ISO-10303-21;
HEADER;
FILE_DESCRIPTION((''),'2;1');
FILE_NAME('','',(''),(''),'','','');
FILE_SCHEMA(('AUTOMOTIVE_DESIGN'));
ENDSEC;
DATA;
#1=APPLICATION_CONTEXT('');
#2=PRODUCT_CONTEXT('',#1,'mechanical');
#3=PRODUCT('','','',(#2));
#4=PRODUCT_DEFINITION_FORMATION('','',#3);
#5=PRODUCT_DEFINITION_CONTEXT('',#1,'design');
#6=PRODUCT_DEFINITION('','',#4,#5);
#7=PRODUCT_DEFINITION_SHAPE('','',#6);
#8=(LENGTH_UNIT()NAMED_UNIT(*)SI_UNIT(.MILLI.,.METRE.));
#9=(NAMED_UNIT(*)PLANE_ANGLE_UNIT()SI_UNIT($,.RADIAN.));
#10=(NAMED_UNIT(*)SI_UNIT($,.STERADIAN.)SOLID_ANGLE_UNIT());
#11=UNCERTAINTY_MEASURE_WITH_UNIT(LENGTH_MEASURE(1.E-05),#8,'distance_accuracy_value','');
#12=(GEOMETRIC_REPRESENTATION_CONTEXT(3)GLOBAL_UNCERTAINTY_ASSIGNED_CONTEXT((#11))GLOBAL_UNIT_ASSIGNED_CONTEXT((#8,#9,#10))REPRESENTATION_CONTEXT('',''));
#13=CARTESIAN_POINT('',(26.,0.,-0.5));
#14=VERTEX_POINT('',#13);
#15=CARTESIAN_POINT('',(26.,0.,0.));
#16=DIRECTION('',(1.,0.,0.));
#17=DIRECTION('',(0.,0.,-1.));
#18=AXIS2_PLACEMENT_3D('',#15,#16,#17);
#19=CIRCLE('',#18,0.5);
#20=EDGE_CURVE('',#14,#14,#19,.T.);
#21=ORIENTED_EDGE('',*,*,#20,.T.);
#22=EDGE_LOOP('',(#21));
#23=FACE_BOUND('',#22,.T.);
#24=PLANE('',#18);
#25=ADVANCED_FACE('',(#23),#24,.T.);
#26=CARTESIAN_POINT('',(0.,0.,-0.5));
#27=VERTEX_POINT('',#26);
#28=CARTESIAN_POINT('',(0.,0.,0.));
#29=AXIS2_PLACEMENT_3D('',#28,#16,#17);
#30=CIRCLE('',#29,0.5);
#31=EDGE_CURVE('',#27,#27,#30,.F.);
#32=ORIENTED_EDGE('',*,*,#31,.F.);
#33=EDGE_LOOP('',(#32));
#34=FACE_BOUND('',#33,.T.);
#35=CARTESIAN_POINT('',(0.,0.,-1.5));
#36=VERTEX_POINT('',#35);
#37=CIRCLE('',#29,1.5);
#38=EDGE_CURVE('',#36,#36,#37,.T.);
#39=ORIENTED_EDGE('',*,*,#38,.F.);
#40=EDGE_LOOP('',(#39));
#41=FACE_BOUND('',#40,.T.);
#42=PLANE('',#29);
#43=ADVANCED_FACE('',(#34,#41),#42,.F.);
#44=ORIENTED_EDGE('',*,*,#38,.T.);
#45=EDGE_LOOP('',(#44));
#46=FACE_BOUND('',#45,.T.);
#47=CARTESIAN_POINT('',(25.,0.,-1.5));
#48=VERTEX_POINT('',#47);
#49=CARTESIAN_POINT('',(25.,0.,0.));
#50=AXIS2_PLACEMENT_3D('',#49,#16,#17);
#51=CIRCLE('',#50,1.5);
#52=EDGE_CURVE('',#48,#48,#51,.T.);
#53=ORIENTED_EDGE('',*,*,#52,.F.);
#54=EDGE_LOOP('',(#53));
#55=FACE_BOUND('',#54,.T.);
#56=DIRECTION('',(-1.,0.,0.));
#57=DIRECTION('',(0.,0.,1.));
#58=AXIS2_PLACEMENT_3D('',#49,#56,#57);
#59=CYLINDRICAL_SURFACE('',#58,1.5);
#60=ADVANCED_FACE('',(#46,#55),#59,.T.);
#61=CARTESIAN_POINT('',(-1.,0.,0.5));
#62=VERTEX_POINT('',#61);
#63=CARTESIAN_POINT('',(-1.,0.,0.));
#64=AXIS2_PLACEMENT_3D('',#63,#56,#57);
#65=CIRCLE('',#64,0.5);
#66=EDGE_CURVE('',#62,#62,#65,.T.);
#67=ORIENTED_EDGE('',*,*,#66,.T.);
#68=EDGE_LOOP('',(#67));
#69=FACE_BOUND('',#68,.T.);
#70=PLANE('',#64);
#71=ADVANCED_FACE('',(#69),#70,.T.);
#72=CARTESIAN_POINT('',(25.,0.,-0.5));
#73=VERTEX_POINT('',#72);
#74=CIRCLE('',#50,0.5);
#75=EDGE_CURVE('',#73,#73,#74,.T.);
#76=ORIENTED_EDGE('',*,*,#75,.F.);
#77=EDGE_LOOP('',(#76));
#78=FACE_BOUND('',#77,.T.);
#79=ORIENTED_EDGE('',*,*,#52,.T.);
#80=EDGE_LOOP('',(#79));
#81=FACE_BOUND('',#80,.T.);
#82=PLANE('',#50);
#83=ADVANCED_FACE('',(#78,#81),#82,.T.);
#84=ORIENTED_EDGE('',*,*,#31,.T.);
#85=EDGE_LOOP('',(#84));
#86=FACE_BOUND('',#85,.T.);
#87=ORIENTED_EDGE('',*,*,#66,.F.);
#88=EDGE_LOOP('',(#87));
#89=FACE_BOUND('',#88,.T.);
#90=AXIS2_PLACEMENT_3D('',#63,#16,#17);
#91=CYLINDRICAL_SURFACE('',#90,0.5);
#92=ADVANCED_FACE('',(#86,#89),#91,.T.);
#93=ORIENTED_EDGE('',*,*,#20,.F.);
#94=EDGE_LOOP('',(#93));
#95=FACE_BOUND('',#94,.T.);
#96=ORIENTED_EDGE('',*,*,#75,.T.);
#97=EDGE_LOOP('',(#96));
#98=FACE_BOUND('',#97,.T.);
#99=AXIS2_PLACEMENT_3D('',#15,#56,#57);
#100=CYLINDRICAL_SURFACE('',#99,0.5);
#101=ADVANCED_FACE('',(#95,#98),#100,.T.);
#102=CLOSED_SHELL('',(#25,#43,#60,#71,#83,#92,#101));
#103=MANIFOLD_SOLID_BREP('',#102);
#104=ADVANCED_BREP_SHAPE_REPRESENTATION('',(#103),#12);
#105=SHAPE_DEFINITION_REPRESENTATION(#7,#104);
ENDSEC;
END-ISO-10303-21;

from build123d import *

# Parameters (mm, degrees)
CROQUIS1_R              = 1.5
SALIENTE_EXTRUIR1_DEPTH = 25
CROQUIS2_R              = 0.5
SALIENTE_EXTRUIR2_DEPTH = 1
CROQUIS3_R              = 0.5
SALIENTE_EXTRUIR3_DEPTH = 1


with BuildPart() as part:
    # Croquis1 → Saliente-Extruir1 (new body)
    with BuildSketch(Plane(origin=(0, 0, 0), x_dir=(0, 0, -1), z_dir=(1, 0, 0))):
        Circle(CROQUIS1_R)
    extrude(amount=SALIENTE_EXTRUIR1_DEPTH)

    # Croquis2 → Saliente-Extruir2 (add)
    with BuildSketch(Plane(origin=(25, 0, 0), x_dir=(0, 0, -1), z_dir=(1, 0, 0))):
        Circle(CROQUIS2_R)
    extrude(amount=SALIENTE_EXTRUIR2_DEPTH)

    # Croquis3 → Saliente-Extruir3 (add)
    with BuildSketch(Plane.ZY):
        Circle(CROQUIS3_R)
    extrude(amount=SALIENTE_EXTRUIR3_DEPTH)


solid = part.part
